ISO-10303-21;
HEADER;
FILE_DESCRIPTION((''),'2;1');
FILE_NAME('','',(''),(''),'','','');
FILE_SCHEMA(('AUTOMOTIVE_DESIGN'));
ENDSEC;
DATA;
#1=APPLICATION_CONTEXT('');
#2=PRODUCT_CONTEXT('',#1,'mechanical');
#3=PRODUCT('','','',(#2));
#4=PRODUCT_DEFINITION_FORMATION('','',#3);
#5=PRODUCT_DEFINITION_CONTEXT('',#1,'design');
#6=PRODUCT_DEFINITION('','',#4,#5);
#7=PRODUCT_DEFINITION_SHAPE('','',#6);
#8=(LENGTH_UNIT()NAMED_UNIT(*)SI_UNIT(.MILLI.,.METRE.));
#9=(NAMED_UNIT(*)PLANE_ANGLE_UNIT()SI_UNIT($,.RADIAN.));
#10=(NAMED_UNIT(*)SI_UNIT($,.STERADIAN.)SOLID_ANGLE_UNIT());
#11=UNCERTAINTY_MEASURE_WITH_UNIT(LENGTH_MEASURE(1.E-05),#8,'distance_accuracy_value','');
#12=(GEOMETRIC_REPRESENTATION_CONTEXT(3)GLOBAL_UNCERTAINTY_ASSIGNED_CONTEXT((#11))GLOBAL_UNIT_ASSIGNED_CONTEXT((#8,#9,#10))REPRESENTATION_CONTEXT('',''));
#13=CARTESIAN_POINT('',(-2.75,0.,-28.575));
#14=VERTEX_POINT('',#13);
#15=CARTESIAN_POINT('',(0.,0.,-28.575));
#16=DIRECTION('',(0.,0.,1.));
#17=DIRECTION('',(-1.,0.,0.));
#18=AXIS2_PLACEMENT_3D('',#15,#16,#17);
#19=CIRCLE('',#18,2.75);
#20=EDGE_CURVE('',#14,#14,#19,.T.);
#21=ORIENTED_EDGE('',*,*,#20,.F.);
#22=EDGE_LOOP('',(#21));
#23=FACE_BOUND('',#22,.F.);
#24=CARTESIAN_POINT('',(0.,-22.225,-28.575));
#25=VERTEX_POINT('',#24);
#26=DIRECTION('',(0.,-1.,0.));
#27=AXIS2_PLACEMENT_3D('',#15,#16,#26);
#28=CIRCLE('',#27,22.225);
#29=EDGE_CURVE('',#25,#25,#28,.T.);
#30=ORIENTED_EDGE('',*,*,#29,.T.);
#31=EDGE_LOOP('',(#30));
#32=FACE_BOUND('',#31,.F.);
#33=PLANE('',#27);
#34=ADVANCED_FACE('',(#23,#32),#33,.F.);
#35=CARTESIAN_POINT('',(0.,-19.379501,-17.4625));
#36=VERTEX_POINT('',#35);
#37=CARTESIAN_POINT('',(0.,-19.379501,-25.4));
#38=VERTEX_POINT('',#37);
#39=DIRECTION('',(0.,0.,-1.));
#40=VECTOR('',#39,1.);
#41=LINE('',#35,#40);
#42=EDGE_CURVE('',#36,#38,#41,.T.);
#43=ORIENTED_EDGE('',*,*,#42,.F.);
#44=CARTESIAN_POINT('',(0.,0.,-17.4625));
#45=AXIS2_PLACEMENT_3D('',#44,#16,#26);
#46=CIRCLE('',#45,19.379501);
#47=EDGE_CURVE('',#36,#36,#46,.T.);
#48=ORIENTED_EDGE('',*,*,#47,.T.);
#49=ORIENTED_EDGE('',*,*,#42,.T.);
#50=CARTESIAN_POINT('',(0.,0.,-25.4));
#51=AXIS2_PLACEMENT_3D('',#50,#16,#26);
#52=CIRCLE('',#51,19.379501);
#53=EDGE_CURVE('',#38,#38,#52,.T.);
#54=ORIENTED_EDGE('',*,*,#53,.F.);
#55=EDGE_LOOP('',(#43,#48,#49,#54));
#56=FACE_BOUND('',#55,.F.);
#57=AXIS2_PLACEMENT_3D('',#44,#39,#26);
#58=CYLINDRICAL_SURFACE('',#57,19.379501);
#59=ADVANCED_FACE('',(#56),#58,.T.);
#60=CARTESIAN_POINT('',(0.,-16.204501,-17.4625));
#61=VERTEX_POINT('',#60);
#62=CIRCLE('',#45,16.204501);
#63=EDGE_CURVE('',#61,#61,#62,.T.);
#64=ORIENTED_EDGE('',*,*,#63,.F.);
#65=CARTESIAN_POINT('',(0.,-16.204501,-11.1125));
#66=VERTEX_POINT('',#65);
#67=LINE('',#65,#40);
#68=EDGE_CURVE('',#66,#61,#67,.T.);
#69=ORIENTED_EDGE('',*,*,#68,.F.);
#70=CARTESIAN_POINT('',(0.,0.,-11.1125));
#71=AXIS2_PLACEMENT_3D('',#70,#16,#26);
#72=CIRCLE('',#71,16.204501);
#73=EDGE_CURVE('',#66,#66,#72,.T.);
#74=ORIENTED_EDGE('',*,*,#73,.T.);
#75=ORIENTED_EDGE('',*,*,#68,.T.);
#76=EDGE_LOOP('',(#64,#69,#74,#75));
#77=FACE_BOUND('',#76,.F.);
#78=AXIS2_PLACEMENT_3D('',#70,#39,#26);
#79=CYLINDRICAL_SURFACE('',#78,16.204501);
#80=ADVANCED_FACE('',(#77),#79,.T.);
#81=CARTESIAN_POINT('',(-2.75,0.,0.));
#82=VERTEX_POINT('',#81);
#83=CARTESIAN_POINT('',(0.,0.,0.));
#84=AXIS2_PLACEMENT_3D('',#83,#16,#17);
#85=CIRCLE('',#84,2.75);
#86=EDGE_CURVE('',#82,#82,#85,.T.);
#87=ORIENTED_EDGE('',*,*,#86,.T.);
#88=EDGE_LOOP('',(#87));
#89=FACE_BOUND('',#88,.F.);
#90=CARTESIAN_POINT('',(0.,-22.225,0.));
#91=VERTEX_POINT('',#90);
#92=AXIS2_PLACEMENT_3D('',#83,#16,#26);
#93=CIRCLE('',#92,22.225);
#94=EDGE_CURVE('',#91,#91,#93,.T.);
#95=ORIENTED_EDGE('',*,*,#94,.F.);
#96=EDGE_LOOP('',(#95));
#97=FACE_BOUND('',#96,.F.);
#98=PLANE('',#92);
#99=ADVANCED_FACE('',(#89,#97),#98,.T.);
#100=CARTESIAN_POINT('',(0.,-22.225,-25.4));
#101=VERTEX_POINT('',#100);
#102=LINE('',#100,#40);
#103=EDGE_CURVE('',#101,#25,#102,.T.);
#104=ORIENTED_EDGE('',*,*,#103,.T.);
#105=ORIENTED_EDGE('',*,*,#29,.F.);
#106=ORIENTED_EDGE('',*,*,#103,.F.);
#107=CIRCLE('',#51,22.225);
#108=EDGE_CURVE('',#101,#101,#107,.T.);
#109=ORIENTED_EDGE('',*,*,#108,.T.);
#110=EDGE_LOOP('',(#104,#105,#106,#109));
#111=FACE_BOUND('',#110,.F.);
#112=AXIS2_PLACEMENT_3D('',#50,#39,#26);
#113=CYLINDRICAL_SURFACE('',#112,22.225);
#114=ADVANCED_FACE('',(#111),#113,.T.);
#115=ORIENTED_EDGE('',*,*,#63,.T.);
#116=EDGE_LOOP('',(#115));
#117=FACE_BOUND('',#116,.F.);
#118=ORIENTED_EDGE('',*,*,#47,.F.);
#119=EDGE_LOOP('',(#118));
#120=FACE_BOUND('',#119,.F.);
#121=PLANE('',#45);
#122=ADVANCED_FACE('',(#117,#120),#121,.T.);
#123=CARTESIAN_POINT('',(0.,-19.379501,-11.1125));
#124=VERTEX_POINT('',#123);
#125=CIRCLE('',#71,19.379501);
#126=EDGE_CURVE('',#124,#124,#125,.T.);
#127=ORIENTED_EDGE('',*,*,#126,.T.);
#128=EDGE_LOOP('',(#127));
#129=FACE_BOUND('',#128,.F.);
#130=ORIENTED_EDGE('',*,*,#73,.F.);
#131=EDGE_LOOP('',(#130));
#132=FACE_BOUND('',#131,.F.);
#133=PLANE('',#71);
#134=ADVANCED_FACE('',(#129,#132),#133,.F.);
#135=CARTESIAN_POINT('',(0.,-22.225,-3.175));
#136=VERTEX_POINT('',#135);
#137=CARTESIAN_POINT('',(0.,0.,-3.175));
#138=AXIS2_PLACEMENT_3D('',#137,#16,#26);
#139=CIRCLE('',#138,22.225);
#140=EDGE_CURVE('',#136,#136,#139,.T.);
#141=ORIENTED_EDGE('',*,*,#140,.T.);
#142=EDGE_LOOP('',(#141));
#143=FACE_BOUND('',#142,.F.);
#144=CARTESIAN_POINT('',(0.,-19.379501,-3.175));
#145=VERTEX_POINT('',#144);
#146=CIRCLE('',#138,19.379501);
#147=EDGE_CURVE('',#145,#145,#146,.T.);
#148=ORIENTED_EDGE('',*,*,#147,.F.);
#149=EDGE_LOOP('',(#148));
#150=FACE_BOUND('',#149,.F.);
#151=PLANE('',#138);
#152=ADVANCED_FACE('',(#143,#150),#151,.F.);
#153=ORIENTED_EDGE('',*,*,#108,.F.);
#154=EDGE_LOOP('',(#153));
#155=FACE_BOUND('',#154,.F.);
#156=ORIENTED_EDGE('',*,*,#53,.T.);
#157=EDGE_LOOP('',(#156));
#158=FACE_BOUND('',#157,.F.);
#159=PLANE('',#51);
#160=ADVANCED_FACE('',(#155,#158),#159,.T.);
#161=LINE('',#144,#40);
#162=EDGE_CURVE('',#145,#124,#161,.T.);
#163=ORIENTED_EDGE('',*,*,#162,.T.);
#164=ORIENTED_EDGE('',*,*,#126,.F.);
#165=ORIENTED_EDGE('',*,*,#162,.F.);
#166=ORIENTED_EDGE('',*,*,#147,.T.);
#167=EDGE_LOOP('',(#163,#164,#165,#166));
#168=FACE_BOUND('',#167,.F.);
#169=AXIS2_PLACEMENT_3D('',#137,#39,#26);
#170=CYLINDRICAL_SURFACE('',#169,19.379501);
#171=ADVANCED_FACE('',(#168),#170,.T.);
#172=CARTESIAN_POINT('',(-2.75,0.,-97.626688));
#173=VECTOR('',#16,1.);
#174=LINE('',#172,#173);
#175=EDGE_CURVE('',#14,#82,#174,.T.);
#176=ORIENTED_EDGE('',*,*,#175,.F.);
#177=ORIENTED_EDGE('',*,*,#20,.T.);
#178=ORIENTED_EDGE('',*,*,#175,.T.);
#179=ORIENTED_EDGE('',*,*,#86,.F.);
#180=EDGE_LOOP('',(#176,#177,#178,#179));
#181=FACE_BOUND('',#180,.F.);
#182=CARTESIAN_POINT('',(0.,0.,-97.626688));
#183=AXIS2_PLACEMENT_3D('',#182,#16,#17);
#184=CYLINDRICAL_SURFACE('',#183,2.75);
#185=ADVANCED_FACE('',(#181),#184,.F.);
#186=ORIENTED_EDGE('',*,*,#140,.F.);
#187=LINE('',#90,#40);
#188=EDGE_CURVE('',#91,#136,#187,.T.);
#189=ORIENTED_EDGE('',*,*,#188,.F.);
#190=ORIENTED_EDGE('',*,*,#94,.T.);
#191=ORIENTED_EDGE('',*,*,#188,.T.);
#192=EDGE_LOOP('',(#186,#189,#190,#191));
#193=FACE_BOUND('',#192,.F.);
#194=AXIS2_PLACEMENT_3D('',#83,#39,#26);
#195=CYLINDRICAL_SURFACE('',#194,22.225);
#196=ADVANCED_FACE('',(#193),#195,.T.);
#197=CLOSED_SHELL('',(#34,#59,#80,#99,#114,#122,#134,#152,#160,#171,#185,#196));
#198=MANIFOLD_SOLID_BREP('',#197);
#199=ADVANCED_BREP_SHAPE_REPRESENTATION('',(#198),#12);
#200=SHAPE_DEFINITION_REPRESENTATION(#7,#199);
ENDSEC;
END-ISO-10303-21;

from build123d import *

# Parameters (mm, degrees)
F3_D = 5.5


with BuildPart() as f1:
    # F0 (on Right) → F1 (revolve)
    with BuildSketch(Plane.YZ):
        Polygon((0, -28.575), (0, 0), (-22.225, 0), (-22.225, -3.175), (-19.379501, -3.175), (-19.379501, -11.1125), (-16.204501, -11.1125), (-16.204501, -17.4625), (-19.379501, -17.4625), (-19.379501, -25.4), (-22.225, -25.4), (-22.225, -28.575), align=None)
    revolve(axis=Axis((0, 0, -14.2875), (0, 0, 1)))

    # F3 (through all)
    with Locations(Plane(origin=(0, 0, -28.575), x_dir=(1, 0, 0), z_dir=(0, 0, -1))):
        with Locations((0, 0)):
            Hole(F3_D / 2)


solid = f1.part
